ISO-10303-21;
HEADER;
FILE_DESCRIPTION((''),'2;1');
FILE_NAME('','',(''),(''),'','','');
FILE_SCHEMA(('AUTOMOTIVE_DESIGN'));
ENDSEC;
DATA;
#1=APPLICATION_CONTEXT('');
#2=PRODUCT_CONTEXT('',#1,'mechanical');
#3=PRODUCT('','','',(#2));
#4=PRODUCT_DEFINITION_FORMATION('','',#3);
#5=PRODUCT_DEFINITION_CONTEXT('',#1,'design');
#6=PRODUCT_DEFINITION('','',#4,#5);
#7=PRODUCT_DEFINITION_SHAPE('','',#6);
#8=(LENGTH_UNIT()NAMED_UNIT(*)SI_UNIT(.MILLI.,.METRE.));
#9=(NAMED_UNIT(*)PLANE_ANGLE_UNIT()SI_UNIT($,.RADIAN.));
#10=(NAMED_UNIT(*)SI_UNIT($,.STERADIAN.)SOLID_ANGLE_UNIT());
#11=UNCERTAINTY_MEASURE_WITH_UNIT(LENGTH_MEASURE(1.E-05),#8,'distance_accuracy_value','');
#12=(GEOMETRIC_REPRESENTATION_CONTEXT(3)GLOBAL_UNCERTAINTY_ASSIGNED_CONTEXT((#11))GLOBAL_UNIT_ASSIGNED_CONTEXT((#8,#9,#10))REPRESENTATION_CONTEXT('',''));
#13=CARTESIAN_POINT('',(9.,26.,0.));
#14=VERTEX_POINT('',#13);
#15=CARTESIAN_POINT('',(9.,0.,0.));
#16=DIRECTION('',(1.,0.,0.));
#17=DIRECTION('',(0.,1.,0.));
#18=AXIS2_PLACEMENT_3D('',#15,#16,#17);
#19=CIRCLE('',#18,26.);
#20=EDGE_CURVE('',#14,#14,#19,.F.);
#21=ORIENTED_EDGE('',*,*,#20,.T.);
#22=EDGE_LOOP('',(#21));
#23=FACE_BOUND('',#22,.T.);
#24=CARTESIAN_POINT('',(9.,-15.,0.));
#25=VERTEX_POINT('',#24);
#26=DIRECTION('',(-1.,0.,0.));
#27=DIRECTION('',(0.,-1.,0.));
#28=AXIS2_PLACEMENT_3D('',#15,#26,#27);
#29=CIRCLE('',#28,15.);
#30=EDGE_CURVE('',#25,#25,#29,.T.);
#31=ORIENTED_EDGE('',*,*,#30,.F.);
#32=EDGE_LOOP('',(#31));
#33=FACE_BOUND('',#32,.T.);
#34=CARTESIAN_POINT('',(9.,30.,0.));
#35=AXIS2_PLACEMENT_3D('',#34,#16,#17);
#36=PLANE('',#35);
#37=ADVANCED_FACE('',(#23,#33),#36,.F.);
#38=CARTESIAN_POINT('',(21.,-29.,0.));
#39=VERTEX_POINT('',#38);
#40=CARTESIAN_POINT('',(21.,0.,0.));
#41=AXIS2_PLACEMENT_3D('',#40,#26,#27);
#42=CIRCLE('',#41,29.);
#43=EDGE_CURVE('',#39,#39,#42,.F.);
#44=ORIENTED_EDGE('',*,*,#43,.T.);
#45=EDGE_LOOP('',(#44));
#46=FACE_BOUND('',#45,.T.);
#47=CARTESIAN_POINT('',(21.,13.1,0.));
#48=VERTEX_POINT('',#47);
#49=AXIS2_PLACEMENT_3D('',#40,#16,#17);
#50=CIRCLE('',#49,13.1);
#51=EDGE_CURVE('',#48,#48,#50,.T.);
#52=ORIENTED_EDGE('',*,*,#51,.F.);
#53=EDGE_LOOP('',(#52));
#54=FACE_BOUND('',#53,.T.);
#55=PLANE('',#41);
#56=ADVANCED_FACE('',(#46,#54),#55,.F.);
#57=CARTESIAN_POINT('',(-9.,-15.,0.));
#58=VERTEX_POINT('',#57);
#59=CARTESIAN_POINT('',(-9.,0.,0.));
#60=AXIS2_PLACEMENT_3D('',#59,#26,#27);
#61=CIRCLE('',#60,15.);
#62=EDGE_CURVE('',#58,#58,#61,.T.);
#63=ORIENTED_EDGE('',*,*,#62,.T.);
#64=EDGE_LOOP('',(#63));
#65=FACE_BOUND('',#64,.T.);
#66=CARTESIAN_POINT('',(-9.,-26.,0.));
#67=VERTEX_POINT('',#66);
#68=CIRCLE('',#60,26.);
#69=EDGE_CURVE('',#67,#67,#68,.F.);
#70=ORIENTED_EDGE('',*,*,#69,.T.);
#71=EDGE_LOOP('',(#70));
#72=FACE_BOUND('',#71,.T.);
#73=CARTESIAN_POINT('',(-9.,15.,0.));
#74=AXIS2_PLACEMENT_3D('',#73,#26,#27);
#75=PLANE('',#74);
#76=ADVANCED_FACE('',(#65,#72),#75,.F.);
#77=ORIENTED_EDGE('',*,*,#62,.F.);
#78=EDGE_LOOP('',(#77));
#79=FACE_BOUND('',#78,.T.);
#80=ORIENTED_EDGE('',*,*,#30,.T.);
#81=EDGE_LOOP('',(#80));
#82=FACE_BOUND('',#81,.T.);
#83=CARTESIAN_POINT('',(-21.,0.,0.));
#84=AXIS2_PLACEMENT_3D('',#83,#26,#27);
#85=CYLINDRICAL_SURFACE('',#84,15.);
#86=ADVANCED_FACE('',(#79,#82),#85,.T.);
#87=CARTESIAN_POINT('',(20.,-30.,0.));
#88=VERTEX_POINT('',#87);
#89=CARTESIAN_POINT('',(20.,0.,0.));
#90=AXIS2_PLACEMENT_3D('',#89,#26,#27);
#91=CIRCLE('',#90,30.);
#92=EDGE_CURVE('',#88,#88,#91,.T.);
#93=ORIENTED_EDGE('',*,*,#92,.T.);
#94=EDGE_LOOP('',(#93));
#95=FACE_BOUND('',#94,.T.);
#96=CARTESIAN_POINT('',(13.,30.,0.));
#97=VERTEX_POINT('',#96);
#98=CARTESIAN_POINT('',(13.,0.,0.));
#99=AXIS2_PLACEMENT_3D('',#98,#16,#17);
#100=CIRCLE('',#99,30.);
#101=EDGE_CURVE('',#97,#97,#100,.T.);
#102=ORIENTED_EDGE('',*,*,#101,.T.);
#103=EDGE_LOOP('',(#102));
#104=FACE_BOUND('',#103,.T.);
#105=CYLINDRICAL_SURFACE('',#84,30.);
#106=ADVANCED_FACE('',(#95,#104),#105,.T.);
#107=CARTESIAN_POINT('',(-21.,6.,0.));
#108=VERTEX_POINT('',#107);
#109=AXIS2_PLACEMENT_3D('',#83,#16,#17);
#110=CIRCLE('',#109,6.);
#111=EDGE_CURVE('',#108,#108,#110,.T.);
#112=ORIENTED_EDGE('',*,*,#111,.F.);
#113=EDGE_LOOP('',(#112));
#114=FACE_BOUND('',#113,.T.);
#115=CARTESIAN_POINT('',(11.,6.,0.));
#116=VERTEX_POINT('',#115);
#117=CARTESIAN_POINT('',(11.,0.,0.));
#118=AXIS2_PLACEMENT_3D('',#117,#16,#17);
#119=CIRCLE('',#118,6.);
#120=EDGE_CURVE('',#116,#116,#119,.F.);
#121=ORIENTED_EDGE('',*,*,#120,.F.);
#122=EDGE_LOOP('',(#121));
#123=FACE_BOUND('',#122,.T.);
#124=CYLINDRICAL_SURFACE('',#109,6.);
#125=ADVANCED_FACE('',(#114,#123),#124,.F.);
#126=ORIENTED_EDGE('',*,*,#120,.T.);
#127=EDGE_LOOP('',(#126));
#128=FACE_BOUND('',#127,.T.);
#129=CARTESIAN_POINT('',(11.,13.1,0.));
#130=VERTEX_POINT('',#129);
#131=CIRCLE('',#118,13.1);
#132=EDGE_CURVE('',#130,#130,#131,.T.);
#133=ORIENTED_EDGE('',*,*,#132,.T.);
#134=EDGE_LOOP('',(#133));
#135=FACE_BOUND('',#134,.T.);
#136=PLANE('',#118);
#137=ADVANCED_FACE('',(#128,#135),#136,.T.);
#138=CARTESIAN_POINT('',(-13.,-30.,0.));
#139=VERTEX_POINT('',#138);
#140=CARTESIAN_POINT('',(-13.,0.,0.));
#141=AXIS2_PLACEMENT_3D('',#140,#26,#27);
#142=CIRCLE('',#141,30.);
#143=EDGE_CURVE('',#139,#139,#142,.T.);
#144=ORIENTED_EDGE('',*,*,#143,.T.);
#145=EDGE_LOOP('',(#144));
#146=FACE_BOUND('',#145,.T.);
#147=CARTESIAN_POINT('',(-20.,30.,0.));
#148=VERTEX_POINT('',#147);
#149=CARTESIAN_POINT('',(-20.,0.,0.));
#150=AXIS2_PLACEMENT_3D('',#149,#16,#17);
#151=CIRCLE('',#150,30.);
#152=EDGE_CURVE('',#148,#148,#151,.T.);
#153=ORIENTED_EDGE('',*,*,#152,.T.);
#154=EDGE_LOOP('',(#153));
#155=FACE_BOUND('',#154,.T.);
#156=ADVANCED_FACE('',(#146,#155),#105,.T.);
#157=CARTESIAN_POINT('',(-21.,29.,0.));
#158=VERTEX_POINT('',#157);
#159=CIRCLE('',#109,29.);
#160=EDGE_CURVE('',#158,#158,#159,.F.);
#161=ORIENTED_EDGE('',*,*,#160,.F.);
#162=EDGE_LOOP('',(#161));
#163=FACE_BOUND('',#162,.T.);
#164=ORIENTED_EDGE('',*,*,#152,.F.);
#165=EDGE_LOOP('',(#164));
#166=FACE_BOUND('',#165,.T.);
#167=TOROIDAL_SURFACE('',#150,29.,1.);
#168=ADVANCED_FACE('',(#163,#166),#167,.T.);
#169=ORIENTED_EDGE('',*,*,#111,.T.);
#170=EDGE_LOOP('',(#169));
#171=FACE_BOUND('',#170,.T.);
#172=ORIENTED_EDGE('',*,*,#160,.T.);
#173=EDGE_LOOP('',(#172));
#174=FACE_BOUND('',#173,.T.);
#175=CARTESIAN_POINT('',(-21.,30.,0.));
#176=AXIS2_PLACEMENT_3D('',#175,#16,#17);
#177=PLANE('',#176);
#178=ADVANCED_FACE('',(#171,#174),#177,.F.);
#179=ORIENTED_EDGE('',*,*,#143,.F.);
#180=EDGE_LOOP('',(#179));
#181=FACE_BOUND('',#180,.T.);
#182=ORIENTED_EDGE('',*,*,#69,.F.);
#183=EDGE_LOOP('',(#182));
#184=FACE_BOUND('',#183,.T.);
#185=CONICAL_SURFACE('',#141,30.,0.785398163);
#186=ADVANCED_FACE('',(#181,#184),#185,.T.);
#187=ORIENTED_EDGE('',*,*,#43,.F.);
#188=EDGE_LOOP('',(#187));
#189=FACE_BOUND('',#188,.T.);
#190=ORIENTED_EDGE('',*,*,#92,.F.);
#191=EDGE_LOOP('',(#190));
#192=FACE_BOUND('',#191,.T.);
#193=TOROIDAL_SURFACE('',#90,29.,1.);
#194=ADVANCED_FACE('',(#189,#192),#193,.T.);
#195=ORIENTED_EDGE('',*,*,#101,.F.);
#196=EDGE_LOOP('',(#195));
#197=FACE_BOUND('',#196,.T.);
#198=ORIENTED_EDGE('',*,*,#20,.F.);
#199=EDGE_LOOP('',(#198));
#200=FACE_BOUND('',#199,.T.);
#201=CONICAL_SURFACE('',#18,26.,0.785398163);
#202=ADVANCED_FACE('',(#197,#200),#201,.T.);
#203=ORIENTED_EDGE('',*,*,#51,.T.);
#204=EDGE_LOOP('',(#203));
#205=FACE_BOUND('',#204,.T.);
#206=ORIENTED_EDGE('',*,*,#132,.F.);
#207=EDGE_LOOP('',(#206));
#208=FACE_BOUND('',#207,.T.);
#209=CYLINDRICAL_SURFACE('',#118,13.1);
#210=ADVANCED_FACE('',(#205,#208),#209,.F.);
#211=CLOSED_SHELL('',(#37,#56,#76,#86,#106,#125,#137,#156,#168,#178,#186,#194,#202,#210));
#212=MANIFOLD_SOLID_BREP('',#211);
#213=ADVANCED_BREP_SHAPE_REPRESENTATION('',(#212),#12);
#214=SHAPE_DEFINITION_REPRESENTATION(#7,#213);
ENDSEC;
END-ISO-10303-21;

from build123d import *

# Parameters (mm, degrees)
SKETCH2_R               = 9
BOSS_EXTRUDE1_DEPTH     = 10
SKETCH3_R               = 6
CUT_EXTRUDE1_DEPTH      = 53
CHAMFER1_SIZE           = 4
FILLET4_R               = 1
SKETCH8_W               = 10
SKETCH8_H               = 21.176663605
CUT_EXTRUDE3_DEPTH      = 31
CUT_EXTRUDE3_DEPTH_BACK = 31
SKETCH10_R              = 13.1
CUT_EXTRUDE4_DEPTH      = 10


with BuildPart() as part:
    # Sketch1 → Revolve1 (revolve)
    with BuildSketch(Plane.XY):
        Polygon((-21, 0), (21, 0), (21, 30), (9, 30), (9, 15), (-9, 15), (-9, 30), (-21, 30), align=None)
    revolve(axis=Axis((-21, 0, 0), (1, 0, 0)))

    # Sketch2 → Boss-Extrude1 (add)
    with BuildSketch(Plane(origin=(21, 0, 0), x_dir=(0, 0, -1), z_dir=(1, 0, 0))):
        Circle(SKETCH2_R)
    extrude(amount=BOSS_EXTRUDE1_DEPTH)

    # Sketch3 → Cut-Extrude1 (cut, through all)
    with BuildSketch(Plane(origin=(31, 0, 0), x_dir=(0, 0, -1), z_dir=(1, 0, 0))):
        Circle(SKETCH3_R)
    extrude(amount=-CUT_EXTRUDE1_DEPTH, mode=Mode.SUBTRACT)

    # Chamfer1
    chamfer1_edges = [part.edges().sort_by_distance(p)[0] for p in [
        (-9, -30, 0),
        (9, -30, 0),
    ]]
    chamfer(chamfer1_edges, length=CHAMFER1_SIZE)

    # Fillet4
    fillet4_edges = [part.edges().sort_by_distance(p)[0] for p in [
        (-21, -30, 0),
        (21, -30, 0),
    ]]
    fillet(fillet4_edges, radius=FILLET4_R)

    # Sketch8 → Cut-Extrude3 (cut, two sides)
    with BuildSketch(Plane(origin=(0, 0, 0), x_dir=(1, 0, 0), z_dir=(0, 1, 0))) as cut_extrude3_sk:
        with Locations((26, 0.476968454)):
            Rectangle(SKETCH8_W, SKETCH8_H)
    extrude(amount=CUT_EXTRUDE3_DEPTH, mode=Mode.SUBTRACT)
    extrude(cut_extrude3_sk.sketch, amount=-CUT_EXTRUDE3_DEPTH_BACK, mode=Mode.SUBTRACT)

    # Sketch10 → Cut-Extrude4 (cut)
    with BuildSketch(Plane(origin=(21, 0, 0), x_dir=(0, 0, -1), z_dir=(1, 0, 0))):
        Circle(SKETCH10_R)
    extrude(amount=-CUT_EXTRUDE4_DEPTH, mode=Mode.SUBTRACT)


solid = part.part
